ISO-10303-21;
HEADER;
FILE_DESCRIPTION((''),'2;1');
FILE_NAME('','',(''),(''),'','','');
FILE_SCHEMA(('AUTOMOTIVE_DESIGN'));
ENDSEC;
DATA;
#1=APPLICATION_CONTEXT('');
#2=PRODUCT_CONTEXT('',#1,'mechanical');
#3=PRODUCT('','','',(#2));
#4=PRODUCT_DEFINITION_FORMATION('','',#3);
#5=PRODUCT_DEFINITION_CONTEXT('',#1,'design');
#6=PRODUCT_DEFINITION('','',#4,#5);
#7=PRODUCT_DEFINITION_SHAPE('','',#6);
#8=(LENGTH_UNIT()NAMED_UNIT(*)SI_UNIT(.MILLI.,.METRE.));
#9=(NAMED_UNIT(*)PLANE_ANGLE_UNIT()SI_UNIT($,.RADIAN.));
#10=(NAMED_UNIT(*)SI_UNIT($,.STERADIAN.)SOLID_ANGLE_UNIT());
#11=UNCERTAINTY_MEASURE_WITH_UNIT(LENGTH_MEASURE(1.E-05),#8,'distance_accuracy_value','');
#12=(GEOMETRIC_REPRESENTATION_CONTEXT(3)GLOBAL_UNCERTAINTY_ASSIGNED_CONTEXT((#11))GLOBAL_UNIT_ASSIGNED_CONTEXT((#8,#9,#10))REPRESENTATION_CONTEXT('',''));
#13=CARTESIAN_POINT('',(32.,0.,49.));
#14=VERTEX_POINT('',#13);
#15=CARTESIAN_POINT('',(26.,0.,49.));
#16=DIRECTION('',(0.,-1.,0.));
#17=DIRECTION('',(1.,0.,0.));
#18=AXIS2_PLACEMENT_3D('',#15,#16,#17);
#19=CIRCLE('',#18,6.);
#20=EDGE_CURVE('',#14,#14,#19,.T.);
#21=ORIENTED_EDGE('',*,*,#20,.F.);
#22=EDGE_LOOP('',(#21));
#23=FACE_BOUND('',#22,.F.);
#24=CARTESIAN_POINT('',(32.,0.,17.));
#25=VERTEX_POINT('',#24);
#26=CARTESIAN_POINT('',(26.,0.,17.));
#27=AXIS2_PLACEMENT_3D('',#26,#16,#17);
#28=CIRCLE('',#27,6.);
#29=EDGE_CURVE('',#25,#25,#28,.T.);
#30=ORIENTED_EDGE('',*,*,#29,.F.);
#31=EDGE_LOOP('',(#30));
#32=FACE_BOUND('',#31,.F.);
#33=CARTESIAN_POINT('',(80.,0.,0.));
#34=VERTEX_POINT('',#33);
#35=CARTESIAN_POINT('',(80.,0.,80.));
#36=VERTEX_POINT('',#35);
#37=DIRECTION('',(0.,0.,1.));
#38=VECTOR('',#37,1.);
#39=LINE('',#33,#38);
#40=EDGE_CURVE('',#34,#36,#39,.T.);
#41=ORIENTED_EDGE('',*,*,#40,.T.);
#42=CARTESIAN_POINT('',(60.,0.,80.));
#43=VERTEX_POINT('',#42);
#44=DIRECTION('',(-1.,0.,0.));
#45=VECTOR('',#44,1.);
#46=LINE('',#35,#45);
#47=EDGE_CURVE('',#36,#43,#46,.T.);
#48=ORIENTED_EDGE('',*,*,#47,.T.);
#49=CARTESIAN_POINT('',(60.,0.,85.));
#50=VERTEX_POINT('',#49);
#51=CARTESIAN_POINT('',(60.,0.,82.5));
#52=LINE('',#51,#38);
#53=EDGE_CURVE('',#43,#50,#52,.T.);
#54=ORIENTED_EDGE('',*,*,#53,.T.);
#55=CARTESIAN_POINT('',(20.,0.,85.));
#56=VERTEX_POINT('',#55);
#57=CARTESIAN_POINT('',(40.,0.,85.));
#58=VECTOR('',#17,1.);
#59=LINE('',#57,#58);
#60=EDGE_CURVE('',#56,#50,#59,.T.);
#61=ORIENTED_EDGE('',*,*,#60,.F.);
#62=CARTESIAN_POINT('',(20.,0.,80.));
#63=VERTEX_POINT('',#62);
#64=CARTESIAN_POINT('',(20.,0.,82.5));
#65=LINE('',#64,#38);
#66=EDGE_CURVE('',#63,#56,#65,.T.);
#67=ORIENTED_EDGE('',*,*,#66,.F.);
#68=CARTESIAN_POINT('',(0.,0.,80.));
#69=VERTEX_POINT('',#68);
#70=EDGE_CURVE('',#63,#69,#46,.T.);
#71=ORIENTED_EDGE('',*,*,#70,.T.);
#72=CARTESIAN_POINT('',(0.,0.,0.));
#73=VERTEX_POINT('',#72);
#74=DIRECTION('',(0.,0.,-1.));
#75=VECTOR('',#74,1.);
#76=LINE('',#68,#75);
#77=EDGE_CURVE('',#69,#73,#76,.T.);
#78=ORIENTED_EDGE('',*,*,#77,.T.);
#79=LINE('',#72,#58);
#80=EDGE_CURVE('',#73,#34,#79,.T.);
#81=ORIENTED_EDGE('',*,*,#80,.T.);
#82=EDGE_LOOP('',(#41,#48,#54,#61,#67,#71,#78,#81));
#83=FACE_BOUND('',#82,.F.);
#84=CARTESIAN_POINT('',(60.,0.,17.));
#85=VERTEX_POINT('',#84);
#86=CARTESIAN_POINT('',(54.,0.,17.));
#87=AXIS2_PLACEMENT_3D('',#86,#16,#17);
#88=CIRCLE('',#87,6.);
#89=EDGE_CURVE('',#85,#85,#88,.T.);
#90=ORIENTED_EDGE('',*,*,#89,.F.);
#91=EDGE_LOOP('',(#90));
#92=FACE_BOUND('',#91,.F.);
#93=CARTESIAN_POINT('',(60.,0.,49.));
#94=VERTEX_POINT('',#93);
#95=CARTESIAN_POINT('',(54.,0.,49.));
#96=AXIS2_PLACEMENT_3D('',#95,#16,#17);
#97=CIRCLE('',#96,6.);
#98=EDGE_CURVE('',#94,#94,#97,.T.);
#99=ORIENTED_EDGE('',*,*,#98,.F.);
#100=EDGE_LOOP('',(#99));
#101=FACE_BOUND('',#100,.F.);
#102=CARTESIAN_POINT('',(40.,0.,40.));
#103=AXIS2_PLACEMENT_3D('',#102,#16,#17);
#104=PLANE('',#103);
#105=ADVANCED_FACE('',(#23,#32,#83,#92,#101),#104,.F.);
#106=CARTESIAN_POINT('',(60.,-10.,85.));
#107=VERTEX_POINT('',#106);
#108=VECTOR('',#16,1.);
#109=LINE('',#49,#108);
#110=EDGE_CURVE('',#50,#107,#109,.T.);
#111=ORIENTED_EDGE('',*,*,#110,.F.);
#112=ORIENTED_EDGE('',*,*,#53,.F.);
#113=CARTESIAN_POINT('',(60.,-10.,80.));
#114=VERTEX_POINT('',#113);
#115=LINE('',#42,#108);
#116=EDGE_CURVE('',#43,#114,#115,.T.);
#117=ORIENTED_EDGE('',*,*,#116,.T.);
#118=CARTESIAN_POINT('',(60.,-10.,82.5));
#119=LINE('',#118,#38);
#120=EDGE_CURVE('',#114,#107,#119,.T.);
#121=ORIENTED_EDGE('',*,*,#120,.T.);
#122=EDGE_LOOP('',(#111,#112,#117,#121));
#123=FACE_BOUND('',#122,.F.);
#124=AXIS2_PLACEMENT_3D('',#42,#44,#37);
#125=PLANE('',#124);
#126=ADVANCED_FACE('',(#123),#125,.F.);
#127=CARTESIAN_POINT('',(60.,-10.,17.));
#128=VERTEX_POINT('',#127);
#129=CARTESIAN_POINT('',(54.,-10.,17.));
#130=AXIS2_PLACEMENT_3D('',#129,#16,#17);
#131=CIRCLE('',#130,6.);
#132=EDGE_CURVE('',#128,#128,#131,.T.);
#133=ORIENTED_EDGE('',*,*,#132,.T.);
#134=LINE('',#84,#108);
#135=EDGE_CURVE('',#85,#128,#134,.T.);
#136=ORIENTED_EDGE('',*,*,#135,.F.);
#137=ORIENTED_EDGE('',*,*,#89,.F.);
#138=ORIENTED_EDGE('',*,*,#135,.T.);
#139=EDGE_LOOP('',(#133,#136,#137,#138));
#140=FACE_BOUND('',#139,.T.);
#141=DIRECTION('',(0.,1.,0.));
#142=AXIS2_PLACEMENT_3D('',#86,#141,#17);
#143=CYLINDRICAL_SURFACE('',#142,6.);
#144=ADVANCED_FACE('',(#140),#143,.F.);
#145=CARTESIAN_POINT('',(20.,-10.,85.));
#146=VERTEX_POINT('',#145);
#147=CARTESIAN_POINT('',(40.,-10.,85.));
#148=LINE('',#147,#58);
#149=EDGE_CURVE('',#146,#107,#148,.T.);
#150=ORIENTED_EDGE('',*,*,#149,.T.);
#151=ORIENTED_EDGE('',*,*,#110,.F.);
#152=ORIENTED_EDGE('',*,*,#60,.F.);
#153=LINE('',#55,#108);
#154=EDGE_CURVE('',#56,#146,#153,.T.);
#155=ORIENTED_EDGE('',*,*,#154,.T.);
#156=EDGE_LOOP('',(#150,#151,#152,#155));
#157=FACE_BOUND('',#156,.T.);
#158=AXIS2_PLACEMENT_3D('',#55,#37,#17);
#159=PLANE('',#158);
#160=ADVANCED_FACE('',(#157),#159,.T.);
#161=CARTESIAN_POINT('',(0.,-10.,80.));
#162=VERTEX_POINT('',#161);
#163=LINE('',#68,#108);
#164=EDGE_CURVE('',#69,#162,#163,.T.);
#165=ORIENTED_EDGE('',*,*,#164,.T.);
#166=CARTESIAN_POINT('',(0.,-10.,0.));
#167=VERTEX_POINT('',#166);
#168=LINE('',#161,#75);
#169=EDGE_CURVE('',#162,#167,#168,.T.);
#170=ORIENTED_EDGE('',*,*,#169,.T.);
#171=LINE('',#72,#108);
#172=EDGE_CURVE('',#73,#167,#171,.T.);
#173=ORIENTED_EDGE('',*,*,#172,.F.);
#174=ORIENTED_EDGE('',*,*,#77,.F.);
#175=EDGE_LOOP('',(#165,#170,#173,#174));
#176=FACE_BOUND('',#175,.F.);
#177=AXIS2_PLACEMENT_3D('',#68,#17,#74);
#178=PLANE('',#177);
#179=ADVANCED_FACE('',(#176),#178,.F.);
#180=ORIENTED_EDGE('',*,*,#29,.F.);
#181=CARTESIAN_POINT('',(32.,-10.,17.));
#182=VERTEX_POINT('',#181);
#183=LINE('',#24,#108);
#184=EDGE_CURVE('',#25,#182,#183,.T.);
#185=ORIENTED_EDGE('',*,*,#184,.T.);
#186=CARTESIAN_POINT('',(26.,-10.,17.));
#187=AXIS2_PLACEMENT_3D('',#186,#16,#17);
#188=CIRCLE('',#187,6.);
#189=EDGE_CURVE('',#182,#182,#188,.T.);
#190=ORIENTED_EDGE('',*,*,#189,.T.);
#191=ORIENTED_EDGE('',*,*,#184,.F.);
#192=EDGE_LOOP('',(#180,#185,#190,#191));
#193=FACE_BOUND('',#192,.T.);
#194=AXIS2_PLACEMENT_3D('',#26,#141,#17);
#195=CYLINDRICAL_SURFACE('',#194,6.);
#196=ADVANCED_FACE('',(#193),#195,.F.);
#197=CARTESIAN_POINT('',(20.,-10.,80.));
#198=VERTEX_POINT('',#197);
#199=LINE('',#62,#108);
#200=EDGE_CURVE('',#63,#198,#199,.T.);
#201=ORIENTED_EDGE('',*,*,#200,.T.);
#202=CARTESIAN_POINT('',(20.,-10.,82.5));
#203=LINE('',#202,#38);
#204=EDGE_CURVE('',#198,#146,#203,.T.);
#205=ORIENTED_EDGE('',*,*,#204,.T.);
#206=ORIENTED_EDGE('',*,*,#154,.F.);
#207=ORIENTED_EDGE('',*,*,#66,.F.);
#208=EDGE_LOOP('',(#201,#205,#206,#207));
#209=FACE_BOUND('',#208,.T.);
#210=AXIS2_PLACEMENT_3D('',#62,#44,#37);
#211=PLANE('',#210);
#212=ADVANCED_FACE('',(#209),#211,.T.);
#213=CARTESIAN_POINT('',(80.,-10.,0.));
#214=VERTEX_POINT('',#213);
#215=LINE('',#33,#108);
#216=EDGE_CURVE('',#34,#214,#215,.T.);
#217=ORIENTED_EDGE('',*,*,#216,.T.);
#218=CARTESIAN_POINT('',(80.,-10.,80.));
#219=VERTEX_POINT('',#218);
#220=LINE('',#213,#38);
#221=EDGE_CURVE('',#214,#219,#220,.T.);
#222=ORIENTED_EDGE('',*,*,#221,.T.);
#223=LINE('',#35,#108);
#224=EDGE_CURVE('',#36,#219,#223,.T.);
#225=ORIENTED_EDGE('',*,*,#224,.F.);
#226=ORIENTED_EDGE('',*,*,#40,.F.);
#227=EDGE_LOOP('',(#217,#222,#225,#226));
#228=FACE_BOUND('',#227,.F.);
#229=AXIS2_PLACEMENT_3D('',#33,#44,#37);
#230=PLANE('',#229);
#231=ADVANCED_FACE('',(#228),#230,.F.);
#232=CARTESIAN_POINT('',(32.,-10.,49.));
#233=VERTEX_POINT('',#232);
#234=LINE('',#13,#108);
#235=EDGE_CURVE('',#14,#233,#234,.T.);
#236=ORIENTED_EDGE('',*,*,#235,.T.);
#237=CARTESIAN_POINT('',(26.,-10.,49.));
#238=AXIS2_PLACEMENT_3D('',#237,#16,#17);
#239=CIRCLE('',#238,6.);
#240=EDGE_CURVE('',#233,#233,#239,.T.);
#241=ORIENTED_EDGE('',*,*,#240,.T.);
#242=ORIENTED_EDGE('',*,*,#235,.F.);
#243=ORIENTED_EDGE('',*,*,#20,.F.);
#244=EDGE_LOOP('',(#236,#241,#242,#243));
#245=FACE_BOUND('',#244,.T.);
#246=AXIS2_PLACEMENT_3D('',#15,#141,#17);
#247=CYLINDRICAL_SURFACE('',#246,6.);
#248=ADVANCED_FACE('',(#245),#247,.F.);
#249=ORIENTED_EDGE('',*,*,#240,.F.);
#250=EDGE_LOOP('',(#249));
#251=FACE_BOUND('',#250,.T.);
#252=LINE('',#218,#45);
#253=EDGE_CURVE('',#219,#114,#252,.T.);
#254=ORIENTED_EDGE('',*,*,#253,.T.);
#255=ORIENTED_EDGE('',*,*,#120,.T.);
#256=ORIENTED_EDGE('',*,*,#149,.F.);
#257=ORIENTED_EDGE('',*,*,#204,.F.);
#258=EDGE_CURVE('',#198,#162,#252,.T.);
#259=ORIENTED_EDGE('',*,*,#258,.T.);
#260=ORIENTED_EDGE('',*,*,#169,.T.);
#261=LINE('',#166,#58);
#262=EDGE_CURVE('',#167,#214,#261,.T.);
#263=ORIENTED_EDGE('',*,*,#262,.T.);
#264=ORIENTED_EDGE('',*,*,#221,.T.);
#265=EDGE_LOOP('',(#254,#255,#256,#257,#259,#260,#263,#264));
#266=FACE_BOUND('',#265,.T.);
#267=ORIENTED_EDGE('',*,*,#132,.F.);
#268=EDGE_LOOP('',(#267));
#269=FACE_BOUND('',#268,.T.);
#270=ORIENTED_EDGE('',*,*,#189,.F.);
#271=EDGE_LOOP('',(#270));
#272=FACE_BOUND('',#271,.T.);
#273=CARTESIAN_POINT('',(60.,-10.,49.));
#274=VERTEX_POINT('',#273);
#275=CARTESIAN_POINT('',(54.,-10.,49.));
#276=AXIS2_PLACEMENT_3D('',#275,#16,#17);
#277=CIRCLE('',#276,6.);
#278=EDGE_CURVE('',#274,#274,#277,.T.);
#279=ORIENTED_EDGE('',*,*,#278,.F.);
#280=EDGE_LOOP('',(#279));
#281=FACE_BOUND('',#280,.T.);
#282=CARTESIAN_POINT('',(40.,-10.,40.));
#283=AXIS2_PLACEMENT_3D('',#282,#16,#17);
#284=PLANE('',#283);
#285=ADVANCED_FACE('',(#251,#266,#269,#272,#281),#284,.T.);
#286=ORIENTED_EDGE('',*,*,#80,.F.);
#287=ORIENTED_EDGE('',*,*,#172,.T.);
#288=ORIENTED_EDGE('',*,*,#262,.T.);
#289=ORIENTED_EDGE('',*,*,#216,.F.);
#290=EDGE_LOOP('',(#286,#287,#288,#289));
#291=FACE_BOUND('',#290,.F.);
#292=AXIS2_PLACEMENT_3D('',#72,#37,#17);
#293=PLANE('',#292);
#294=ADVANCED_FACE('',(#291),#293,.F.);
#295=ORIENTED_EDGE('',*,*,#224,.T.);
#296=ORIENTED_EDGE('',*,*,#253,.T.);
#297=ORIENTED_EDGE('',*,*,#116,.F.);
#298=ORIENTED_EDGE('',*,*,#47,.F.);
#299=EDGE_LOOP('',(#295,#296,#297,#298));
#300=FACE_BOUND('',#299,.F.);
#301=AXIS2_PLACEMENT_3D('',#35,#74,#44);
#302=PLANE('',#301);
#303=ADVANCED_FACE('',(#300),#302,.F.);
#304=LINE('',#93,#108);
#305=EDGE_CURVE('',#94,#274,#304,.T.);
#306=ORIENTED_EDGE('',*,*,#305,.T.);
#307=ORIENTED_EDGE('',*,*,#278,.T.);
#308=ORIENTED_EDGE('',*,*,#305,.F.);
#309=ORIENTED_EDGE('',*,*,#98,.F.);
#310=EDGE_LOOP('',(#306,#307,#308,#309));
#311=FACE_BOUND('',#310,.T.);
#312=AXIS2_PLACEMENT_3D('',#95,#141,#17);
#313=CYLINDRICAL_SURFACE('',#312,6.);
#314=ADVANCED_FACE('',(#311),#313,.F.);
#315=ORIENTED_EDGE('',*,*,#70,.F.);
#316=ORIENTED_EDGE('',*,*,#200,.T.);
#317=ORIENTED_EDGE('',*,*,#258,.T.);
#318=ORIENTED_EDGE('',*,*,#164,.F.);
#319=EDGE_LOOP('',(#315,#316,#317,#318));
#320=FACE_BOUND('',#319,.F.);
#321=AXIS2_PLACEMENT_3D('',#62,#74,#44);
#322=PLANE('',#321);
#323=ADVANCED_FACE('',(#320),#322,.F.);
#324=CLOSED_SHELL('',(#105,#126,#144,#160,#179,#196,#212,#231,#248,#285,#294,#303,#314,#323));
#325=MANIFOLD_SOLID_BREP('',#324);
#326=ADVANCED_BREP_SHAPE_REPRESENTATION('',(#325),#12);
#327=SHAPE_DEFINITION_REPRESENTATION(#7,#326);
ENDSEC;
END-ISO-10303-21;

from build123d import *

# Parameters (mm, degrees)
F0_R     = 6
F0_W     = 40
F0_H     = 5
F1_DEPTH = 10


with BuildPart() as f1:
    # F0 (on Front) → F1 (new body)
    with BuildSketch(Plane.XZ):
        Polygon((0, 80), (0, 0), (80, 0), (80, 80), (60, 80), (20, 80), align=None)
        with Locations((26, 17)):
            Circle(F0_R, mode=Mode.SUBTRACT)
        with Locations((54, 17)):
            Circle(F0_R, mode=Mode.SUBTRACT)
        with Locations((26, 49)):
            Circle(F0_R, mode=Mode.SUBTRACT)
        with Locations((54, 49)):
            Circle(F0_R, mode=Mode.SUBTRACT)
        with Locations((40, 82.5)):
            Rectangle(F0_W, F0_H)
    extrude(amount=F1_DEPTH)


solid = f1.part
